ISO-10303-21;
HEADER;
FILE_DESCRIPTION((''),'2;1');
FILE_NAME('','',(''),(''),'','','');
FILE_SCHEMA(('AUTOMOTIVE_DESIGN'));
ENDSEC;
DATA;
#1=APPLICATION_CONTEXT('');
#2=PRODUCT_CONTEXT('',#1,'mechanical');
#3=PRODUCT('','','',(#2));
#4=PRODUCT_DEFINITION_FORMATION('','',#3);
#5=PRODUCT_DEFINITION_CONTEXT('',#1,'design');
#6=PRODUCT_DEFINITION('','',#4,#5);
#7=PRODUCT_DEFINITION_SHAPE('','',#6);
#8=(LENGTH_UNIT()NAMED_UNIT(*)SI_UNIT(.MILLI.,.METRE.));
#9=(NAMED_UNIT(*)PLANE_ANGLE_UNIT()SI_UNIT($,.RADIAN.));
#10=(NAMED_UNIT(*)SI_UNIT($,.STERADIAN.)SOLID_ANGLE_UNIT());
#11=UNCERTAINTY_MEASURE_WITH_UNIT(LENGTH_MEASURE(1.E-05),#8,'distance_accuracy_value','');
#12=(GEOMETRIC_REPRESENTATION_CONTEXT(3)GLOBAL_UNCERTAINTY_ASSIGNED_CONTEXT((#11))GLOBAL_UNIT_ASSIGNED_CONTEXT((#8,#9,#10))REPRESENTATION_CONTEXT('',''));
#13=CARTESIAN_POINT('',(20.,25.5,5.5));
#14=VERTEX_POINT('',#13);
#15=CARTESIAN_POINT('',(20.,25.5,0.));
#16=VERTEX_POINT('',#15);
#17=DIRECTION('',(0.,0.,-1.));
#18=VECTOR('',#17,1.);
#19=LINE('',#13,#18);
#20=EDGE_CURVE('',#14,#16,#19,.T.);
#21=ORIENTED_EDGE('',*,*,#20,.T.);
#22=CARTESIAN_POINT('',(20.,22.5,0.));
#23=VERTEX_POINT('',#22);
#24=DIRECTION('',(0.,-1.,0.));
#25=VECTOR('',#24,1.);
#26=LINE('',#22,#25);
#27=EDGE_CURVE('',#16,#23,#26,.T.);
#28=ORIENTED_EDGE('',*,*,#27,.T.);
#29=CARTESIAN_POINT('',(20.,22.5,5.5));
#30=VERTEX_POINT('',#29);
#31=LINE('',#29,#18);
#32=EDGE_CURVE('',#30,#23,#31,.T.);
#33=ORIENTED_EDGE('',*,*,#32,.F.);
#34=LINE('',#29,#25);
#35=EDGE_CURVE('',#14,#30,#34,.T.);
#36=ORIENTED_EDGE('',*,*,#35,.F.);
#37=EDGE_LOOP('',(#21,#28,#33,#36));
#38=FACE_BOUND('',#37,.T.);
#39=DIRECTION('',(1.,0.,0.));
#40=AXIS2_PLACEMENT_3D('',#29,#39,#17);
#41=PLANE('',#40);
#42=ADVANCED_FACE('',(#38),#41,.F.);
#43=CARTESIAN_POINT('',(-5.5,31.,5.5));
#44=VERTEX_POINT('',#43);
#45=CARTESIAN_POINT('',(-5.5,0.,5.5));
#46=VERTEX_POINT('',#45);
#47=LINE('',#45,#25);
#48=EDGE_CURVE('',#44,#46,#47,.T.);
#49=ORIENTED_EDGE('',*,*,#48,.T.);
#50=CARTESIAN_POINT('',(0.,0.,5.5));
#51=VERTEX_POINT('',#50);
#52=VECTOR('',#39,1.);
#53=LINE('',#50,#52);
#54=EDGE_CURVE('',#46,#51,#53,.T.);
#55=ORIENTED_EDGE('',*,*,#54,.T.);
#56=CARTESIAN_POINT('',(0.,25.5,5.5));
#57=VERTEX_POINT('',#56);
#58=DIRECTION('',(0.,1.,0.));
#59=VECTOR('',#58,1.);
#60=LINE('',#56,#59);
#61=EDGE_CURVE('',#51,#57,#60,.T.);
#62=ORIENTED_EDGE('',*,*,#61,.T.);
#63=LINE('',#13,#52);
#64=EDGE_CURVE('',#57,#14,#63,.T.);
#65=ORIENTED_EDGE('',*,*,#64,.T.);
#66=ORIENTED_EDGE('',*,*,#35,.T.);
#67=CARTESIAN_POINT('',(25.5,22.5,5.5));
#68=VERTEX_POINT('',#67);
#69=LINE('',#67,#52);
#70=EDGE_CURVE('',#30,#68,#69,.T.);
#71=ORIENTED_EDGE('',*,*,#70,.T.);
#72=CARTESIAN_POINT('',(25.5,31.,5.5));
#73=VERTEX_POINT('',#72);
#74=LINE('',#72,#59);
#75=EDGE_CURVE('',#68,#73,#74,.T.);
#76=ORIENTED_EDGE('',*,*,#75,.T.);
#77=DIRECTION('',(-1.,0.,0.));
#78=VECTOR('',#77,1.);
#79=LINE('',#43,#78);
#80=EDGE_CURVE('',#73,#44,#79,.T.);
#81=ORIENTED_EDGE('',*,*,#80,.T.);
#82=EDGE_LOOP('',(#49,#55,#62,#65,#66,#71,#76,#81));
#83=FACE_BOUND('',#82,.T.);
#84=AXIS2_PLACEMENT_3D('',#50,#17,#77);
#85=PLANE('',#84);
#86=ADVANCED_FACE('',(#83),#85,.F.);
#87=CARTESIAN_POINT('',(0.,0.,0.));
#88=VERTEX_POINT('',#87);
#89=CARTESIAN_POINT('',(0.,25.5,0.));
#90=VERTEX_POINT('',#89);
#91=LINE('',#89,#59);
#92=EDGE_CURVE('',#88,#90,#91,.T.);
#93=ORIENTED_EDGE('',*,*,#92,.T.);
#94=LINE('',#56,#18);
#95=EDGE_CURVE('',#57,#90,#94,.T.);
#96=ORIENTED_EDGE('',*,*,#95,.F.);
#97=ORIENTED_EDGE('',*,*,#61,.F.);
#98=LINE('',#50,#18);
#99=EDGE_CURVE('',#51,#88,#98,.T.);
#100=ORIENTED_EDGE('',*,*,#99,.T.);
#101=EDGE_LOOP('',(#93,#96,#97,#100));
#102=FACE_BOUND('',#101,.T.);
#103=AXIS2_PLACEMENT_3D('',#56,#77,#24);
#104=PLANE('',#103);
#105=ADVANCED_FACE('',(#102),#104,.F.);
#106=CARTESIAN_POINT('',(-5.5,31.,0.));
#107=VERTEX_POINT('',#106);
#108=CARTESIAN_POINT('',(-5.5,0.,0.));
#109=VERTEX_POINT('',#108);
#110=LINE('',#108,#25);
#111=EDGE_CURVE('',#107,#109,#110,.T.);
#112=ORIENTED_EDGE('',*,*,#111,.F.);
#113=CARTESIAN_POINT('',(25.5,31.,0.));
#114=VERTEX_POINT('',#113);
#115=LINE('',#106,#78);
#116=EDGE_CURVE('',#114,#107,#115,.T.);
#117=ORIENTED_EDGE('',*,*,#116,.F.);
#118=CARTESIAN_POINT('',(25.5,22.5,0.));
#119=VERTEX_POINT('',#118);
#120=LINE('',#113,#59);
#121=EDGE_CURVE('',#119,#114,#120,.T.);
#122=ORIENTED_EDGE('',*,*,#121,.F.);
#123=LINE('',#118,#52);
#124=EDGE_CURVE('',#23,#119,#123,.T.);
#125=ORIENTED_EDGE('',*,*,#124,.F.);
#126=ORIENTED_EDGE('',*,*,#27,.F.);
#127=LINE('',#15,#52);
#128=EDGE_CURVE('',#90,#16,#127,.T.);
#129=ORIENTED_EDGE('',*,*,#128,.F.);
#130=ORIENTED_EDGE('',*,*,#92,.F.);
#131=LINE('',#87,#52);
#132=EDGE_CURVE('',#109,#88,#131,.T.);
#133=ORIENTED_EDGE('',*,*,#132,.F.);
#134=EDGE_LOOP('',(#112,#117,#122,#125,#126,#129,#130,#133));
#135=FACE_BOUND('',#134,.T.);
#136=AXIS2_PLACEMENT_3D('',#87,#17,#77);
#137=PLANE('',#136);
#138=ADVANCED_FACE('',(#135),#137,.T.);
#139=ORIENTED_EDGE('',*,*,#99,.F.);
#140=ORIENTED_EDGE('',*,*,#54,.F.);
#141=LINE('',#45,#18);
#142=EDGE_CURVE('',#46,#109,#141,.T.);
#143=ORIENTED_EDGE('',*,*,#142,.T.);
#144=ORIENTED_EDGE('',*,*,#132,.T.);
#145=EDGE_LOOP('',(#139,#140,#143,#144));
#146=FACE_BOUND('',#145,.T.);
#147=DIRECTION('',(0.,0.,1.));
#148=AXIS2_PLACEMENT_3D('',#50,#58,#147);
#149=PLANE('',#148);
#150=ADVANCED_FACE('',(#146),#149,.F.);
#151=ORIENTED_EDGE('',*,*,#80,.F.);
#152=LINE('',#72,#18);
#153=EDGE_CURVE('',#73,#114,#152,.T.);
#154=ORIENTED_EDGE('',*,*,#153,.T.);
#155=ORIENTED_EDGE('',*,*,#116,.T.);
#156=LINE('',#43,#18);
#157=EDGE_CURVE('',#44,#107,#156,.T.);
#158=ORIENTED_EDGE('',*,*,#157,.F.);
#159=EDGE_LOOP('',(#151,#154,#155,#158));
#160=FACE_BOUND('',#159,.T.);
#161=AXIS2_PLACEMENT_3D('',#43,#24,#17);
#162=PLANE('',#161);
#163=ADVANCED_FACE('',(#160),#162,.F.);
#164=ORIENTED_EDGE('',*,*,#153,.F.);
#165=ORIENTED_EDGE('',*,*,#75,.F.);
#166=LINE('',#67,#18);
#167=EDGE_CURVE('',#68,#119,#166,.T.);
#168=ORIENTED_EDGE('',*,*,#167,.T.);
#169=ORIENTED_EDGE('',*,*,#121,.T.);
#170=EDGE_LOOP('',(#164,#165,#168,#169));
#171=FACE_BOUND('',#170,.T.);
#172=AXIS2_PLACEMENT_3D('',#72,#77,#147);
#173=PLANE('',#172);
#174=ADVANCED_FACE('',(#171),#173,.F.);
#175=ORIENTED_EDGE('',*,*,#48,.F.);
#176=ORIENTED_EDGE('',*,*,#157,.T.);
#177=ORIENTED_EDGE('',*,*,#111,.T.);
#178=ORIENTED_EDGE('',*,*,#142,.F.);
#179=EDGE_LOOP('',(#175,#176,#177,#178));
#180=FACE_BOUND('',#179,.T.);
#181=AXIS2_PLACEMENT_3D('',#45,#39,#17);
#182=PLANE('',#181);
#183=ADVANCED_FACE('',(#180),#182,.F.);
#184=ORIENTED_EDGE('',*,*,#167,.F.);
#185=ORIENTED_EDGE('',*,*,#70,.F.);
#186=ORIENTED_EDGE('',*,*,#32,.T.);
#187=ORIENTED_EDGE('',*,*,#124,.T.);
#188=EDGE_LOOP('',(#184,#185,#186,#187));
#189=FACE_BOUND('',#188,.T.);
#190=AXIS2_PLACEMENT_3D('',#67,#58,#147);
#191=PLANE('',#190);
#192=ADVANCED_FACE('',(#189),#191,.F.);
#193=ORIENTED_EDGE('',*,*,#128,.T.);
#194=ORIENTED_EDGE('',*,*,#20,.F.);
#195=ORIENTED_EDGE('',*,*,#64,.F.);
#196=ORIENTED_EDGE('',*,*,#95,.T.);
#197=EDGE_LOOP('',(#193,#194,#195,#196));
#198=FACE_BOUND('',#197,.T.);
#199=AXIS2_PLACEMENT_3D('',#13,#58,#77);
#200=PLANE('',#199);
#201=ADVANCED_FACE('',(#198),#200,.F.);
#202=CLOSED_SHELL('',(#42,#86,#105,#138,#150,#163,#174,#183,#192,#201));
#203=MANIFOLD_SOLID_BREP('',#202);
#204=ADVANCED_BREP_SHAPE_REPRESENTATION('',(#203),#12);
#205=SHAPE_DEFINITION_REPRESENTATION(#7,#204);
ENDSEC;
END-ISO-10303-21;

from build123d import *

# Parameters (mm, degrees)
EXTRUDE_1_DEPTH = 5.5


with BuildPart() as part:
    # ｽｹｯﾁ1 → ﾎﾞｽ - 押し出し1 (new body)
    with BuildSketch(Plane.XY):
        Polygon((0, 0), (-5.5, 0), (-5.5, 31), (25.5, 31), (25.5, 22.5), (20, 22.5), (20, 25.5), (0, 25.5), align=None)
    extrude(amount=EXTRUDE_1_DEPTH)


solid = part.part
